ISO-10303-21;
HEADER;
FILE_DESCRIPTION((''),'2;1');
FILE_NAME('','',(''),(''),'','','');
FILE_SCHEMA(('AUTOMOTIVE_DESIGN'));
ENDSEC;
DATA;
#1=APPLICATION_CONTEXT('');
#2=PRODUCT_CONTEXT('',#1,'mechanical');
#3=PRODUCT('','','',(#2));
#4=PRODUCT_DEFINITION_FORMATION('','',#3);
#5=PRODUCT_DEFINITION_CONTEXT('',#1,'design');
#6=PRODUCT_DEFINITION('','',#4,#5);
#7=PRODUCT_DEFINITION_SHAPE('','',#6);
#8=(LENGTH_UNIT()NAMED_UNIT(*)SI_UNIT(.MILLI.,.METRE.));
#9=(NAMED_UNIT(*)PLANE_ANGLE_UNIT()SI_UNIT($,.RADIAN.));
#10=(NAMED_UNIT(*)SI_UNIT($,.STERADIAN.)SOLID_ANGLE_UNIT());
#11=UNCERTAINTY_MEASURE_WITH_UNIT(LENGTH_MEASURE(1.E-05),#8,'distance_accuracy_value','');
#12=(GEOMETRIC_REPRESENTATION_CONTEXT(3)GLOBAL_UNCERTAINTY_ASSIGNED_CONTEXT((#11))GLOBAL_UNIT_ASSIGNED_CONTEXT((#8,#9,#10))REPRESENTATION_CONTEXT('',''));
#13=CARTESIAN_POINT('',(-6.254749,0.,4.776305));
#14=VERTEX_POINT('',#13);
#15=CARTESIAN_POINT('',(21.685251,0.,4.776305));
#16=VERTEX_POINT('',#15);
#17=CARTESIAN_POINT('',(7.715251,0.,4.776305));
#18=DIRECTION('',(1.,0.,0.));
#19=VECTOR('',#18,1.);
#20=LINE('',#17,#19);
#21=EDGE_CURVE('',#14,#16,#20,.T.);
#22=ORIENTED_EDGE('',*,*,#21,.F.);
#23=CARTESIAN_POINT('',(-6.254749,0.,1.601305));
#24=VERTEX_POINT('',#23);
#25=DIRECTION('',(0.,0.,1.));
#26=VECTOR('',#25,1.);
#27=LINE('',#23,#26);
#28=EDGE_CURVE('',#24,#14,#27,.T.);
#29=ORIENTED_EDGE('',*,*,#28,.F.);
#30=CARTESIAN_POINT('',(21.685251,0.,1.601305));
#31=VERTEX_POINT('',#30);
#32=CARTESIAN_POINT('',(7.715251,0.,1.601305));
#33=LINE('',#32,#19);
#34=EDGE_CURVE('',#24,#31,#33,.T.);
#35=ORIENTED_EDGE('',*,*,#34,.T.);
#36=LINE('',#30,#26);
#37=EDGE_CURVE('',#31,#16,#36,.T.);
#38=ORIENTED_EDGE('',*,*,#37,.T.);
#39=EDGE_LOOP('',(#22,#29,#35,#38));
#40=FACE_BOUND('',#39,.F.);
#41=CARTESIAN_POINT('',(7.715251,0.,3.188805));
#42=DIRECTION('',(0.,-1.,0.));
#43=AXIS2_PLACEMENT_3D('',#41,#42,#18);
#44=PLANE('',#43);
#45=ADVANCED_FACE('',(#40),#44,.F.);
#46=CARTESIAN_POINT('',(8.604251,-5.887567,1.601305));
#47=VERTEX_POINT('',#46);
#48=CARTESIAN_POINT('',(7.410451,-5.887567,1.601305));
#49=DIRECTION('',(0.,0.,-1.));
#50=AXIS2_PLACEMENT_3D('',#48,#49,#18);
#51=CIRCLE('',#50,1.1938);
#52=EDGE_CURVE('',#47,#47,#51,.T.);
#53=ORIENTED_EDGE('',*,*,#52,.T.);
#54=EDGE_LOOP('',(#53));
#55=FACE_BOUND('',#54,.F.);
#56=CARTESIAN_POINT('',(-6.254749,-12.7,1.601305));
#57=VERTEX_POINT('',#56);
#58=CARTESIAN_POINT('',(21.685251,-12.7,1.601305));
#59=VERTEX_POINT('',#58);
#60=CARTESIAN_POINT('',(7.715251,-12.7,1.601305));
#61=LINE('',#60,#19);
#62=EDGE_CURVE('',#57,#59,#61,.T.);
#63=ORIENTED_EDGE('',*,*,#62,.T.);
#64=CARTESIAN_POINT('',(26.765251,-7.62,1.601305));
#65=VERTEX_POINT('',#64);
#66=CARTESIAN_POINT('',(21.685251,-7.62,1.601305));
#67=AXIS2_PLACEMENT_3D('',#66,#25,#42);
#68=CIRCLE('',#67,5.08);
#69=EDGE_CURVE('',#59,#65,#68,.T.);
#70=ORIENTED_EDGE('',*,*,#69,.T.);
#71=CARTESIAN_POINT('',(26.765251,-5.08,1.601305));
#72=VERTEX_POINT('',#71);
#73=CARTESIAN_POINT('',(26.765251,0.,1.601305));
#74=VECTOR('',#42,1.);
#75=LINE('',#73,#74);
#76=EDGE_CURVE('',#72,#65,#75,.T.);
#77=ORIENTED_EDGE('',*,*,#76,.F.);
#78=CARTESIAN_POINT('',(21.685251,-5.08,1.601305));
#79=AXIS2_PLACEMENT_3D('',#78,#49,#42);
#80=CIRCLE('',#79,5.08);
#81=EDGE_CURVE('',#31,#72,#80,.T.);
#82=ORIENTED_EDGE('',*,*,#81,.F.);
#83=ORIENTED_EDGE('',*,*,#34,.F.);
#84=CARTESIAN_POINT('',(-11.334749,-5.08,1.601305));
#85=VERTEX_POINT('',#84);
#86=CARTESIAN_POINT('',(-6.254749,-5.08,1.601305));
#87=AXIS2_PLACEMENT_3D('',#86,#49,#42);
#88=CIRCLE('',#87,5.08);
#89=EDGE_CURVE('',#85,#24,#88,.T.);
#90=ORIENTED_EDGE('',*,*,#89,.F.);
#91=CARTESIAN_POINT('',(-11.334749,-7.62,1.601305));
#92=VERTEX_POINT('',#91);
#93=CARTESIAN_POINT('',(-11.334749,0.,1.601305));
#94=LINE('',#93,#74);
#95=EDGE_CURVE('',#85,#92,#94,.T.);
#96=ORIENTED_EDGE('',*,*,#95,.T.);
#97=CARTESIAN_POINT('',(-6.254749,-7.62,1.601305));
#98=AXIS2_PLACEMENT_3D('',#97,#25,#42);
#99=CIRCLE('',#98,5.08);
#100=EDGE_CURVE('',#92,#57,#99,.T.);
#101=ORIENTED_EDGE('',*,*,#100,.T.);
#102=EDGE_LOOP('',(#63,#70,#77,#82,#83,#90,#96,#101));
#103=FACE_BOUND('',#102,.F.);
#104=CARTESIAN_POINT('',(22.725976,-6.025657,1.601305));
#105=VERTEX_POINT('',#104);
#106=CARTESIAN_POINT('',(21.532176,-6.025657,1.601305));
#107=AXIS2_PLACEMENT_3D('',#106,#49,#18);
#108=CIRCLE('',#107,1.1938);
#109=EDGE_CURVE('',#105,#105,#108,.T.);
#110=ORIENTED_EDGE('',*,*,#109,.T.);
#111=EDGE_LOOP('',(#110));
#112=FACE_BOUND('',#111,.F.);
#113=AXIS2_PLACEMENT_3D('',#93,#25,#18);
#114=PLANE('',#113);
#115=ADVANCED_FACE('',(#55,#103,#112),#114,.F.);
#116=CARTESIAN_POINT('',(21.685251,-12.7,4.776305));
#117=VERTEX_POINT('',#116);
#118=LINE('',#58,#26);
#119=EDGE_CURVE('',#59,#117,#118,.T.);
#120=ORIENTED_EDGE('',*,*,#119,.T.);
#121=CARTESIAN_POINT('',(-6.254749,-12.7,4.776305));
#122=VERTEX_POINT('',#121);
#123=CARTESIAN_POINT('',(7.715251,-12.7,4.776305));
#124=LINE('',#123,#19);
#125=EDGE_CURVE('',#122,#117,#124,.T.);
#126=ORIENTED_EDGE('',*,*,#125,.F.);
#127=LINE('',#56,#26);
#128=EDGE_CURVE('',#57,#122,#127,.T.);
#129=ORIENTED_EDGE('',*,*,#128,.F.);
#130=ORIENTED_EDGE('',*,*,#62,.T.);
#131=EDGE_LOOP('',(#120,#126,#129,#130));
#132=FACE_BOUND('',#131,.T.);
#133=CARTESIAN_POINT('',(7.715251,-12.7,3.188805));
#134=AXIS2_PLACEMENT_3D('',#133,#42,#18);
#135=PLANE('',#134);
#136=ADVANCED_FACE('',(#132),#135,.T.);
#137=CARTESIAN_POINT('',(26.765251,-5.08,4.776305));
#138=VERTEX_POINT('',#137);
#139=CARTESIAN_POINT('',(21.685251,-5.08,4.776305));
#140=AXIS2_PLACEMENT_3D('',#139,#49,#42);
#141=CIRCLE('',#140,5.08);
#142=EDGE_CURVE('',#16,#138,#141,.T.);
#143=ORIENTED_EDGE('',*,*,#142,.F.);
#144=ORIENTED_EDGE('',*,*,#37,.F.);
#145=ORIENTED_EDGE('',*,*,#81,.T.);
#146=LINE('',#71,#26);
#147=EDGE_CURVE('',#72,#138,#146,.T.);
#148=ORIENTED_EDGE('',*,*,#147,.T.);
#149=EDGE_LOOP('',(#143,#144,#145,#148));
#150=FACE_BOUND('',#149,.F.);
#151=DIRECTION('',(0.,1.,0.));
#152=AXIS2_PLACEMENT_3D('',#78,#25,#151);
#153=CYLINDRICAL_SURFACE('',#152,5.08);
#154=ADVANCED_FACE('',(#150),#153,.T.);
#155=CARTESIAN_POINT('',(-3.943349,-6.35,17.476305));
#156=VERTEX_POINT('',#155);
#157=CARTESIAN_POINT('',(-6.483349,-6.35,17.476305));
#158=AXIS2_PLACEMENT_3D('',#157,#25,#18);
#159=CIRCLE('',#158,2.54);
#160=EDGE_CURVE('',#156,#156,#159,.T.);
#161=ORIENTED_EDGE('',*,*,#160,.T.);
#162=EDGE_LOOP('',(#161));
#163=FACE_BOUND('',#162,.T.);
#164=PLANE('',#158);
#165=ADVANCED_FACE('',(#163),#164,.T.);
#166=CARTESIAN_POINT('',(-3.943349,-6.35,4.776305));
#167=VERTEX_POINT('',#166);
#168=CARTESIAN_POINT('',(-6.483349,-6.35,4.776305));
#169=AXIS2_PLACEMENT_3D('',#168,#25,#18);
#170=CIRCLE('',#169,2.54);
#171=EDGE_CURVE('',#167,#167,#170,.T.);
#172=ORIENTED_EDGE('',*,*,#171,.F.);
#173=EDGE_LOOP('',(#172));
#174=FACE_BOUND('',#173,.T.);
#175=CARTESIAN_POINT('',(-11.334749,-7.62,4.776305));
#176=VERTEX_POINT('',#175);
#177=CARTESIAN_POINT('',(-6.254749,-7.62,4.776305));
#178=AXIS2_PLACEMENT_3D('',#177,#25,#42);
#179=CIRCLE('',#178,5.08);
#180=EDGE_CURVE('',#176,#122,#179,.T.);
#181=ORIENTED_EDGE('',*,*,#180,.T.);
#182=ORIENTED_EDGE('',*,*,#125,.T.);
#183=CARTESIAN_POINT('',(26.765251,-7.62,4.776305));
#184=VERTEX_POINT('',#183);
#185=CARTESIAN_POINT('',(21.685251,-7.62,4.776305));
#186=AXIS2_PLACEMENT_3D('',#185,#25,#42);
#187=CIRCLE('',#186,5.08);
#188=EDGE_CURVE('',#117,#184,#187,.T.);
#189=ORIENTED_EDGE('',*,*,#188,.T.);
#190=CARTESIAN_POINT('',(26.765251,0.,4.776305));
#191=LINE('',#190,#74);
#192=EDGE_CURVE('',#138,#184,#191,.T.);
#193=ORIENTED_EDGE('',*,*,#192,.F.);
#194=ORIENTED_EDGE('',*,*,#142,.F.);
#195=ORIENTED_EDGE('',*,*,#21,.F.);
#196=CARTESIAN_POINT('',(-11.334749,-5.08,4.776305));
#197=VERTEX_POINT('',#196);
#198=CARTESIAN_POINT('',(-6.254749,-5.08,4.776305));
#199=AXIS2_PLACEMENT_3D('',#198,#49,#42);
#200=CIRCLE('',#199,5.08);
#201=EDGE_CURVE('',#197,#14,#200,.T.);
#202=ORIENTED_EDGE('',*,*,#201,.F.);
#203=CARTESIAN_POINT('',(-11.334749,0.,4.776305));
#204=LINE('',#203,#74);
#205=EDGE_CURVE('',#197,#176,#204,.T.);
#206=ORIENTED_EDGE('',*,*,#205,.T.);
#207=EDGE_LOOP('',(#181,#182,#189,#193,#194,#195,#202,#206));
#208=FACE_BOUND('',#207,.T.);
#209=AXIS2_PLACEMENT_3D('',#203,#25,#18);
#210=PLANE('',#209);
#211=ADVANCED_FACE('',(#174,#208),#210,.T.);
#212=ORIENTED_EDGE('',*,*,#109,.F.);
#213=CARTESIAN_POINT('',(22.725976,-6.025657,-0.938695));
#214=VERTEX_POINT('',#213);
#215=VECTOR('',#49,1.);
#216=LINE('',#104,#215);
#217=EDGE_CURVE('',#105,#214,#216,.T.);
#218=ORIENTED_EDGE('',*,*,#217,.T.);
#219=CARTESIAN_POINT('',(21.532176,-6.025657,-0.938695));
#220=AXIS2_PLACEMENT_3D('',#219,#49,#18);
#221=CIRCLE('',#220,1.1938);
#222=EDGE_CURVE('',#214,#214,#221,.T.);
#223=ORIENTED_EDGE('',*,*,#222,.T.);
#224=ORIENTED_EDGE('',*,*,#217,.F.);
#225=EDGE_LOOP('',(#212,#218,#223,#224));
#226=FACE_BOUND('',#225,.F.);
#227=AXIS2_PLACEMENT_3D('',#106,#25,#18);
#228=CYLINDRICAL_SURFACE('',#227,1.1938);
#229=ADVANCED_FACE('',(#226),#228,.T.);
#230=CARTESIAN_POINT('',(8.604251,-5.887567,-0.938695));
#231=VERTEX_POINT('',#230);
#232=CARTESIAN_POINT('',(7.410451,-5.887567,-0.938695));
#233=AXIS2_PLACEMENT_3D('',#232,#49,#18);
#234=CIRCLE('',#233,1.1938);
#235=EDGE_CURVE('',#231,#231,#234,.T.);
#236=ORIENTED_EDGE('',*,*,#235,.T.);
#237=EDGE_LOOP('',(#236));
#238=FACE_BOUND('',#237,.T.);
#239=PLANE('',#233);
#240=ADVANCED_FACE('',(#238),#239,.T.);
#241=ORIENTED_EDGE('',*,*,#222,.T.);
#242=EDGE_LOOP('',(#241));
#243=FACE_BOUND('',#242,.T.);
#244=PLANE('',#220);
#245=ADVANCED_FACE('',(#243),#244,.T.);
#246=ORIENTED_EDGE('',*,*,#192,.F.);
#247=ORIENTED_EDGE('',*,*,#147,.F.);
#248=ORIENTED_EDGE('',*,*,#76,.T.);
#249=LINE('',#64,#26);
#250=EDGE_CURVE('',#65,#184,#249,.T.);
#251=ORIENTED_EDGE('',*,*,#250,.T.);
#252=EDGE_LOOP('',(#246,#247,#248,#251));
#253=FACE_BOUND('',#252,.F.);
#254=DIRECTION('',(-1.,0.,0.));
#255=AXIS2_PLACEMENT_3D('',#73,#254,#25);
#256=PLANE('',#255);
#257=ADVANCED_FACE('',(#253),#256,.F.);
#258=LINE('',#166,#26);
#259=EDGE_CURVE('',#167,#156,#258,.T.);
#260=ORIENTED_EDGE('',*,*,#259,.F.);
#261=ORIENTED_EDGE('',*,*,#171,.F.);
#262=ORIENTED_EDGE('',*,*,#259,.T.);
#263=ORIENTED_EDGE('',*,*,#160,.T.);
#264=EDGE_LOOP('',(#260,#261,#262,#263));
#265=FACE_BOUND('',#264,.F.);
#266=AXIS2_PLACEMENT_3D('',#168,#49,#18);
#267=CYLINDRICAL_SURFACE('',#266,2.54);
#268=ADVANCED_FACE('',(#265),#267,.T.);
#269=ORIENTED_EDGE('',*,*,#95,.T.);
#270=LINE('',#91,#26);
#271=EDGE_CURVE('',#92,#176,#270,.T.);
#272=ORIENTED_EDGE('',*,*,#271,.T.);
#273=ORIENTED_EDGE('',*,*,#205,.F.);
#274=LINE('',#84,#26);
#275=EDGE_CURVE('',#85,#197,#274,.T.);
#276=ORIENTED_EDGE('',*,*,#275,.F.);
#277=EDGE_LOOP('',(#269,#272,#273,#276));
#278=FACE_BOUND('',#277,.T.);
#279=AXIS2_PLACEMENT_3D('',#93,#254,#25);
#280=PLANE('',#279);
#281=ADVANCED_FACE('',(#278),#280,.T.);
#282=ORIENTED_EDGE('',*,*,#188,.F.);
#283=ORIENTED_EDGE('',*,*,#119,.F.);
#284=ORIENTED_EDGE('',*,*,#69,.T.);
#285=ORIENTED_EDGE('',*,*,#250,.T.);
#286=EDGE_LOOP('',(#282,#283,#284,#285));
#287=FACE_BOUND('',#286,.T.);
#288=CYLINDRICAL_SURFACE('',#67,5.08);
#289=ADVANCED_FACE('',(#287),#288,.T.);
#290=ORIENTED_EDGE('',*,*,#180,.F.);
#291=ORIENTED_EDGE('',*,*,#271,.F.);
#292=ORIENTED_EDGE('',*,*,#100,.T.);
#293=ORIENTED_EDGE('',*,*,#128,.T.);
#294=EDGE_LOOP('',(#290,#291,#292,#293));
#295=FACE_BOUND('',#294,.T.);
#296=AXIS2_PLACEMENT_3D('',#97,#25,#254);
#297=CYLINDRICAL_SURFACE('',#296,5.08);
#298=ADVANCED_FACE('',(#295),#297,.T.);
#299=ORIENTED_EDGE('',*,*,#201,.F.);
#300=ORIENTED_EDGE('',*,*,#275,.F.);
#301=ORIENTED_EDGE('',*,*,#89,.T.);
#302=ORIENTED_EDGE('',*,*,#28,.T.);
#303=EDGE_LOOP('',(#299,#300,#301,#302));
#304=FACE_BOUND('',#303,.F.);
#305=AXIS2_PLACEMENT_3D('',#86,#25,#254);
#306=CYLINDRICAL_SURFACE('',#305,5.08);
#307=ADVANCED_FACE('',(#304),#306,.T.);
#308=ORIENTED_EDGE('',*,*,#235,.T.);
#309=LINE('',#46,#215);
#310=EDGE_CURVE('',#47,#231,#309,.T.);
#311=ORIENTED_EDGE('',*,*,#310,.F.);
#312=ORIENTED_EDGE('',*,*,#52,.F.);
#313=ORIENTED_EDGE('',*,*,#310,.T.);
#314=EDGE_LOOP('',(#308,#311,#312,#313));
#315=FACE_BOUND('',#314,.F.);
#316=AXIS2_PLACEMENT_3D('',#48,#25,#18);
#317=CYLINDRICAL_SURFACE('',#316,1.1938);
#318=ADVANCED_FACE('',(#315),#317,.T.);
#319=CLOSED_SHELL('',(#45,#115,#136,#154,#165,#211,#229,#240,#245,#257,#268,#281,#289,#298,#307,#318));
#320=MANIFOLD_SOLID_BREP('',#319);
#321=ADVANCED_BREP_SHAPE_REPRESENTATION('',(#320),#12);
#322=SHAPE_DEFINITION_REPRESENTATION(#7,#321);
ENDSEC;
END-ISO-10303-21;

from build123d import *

# Parameters (mm, degrees)
F0_W     = 38.1
F0_H     = 3.175
F1_DEPTH = 12.7
F2_R     = 2.54
F3_DEPTH = 12.7
F4_R     = 1.1938
F5_DEPTH = 2.54
F6_R     = 1.1938
F7_DEPTH = 2.54
F8_R     = 5.08


with BuildPart() as f1:
    # F0 (on Front) → F1 (new body)
    with BuildSketch(Plane.XZ):
        with Locations((7.715251, 3.188805)):
            Rectangle(F0_W, F0_H)
    extrude(amount=F1_DEPTH)

    # F2 (on face) → F3 (join)
    with BuildSketch(Plane.XY.offset(4.776305)):
        with Locations((-6.483349, -6.35)):
            Circle(F2_R)
    extrude(amount=F3_DEPTH)

    # F4 (on face) → F5 (join)
    with BuildSketch(Plane(origin=(0, 0, 1.601305), x_dir=(1, 0, 0), z_dir=(0, 0, -1))):
        with Locations((7.410451, 5.887567)):
            Circle(F4_R)
    extrude(amount=F5_DEPTH)

    # F6 (on face) → F7 (join)
    with BuildSketch(Plane(origin=(0, 0, 1.601305), x_dir=(1, 0, 0), z_dir=(0, 0, -1))):
        with Locations((21.532176, 6.025657)):
            Circle(F6_R)
    extrude(amount=F7_DEPTH)

    # F8
    f8_edges = [f1.edges().sort_by_distance(p)[0] for p in [
        (-11.334749, -12.7, 3.188805),
        (-11.334749, 0, 3.188805),
        (26.765251, -12.7, 3.188805),
        (26.765251, 0, 3.188805),
    ]]
    fillet(f8_edges, radius=F8_R)


solid = f1.part
